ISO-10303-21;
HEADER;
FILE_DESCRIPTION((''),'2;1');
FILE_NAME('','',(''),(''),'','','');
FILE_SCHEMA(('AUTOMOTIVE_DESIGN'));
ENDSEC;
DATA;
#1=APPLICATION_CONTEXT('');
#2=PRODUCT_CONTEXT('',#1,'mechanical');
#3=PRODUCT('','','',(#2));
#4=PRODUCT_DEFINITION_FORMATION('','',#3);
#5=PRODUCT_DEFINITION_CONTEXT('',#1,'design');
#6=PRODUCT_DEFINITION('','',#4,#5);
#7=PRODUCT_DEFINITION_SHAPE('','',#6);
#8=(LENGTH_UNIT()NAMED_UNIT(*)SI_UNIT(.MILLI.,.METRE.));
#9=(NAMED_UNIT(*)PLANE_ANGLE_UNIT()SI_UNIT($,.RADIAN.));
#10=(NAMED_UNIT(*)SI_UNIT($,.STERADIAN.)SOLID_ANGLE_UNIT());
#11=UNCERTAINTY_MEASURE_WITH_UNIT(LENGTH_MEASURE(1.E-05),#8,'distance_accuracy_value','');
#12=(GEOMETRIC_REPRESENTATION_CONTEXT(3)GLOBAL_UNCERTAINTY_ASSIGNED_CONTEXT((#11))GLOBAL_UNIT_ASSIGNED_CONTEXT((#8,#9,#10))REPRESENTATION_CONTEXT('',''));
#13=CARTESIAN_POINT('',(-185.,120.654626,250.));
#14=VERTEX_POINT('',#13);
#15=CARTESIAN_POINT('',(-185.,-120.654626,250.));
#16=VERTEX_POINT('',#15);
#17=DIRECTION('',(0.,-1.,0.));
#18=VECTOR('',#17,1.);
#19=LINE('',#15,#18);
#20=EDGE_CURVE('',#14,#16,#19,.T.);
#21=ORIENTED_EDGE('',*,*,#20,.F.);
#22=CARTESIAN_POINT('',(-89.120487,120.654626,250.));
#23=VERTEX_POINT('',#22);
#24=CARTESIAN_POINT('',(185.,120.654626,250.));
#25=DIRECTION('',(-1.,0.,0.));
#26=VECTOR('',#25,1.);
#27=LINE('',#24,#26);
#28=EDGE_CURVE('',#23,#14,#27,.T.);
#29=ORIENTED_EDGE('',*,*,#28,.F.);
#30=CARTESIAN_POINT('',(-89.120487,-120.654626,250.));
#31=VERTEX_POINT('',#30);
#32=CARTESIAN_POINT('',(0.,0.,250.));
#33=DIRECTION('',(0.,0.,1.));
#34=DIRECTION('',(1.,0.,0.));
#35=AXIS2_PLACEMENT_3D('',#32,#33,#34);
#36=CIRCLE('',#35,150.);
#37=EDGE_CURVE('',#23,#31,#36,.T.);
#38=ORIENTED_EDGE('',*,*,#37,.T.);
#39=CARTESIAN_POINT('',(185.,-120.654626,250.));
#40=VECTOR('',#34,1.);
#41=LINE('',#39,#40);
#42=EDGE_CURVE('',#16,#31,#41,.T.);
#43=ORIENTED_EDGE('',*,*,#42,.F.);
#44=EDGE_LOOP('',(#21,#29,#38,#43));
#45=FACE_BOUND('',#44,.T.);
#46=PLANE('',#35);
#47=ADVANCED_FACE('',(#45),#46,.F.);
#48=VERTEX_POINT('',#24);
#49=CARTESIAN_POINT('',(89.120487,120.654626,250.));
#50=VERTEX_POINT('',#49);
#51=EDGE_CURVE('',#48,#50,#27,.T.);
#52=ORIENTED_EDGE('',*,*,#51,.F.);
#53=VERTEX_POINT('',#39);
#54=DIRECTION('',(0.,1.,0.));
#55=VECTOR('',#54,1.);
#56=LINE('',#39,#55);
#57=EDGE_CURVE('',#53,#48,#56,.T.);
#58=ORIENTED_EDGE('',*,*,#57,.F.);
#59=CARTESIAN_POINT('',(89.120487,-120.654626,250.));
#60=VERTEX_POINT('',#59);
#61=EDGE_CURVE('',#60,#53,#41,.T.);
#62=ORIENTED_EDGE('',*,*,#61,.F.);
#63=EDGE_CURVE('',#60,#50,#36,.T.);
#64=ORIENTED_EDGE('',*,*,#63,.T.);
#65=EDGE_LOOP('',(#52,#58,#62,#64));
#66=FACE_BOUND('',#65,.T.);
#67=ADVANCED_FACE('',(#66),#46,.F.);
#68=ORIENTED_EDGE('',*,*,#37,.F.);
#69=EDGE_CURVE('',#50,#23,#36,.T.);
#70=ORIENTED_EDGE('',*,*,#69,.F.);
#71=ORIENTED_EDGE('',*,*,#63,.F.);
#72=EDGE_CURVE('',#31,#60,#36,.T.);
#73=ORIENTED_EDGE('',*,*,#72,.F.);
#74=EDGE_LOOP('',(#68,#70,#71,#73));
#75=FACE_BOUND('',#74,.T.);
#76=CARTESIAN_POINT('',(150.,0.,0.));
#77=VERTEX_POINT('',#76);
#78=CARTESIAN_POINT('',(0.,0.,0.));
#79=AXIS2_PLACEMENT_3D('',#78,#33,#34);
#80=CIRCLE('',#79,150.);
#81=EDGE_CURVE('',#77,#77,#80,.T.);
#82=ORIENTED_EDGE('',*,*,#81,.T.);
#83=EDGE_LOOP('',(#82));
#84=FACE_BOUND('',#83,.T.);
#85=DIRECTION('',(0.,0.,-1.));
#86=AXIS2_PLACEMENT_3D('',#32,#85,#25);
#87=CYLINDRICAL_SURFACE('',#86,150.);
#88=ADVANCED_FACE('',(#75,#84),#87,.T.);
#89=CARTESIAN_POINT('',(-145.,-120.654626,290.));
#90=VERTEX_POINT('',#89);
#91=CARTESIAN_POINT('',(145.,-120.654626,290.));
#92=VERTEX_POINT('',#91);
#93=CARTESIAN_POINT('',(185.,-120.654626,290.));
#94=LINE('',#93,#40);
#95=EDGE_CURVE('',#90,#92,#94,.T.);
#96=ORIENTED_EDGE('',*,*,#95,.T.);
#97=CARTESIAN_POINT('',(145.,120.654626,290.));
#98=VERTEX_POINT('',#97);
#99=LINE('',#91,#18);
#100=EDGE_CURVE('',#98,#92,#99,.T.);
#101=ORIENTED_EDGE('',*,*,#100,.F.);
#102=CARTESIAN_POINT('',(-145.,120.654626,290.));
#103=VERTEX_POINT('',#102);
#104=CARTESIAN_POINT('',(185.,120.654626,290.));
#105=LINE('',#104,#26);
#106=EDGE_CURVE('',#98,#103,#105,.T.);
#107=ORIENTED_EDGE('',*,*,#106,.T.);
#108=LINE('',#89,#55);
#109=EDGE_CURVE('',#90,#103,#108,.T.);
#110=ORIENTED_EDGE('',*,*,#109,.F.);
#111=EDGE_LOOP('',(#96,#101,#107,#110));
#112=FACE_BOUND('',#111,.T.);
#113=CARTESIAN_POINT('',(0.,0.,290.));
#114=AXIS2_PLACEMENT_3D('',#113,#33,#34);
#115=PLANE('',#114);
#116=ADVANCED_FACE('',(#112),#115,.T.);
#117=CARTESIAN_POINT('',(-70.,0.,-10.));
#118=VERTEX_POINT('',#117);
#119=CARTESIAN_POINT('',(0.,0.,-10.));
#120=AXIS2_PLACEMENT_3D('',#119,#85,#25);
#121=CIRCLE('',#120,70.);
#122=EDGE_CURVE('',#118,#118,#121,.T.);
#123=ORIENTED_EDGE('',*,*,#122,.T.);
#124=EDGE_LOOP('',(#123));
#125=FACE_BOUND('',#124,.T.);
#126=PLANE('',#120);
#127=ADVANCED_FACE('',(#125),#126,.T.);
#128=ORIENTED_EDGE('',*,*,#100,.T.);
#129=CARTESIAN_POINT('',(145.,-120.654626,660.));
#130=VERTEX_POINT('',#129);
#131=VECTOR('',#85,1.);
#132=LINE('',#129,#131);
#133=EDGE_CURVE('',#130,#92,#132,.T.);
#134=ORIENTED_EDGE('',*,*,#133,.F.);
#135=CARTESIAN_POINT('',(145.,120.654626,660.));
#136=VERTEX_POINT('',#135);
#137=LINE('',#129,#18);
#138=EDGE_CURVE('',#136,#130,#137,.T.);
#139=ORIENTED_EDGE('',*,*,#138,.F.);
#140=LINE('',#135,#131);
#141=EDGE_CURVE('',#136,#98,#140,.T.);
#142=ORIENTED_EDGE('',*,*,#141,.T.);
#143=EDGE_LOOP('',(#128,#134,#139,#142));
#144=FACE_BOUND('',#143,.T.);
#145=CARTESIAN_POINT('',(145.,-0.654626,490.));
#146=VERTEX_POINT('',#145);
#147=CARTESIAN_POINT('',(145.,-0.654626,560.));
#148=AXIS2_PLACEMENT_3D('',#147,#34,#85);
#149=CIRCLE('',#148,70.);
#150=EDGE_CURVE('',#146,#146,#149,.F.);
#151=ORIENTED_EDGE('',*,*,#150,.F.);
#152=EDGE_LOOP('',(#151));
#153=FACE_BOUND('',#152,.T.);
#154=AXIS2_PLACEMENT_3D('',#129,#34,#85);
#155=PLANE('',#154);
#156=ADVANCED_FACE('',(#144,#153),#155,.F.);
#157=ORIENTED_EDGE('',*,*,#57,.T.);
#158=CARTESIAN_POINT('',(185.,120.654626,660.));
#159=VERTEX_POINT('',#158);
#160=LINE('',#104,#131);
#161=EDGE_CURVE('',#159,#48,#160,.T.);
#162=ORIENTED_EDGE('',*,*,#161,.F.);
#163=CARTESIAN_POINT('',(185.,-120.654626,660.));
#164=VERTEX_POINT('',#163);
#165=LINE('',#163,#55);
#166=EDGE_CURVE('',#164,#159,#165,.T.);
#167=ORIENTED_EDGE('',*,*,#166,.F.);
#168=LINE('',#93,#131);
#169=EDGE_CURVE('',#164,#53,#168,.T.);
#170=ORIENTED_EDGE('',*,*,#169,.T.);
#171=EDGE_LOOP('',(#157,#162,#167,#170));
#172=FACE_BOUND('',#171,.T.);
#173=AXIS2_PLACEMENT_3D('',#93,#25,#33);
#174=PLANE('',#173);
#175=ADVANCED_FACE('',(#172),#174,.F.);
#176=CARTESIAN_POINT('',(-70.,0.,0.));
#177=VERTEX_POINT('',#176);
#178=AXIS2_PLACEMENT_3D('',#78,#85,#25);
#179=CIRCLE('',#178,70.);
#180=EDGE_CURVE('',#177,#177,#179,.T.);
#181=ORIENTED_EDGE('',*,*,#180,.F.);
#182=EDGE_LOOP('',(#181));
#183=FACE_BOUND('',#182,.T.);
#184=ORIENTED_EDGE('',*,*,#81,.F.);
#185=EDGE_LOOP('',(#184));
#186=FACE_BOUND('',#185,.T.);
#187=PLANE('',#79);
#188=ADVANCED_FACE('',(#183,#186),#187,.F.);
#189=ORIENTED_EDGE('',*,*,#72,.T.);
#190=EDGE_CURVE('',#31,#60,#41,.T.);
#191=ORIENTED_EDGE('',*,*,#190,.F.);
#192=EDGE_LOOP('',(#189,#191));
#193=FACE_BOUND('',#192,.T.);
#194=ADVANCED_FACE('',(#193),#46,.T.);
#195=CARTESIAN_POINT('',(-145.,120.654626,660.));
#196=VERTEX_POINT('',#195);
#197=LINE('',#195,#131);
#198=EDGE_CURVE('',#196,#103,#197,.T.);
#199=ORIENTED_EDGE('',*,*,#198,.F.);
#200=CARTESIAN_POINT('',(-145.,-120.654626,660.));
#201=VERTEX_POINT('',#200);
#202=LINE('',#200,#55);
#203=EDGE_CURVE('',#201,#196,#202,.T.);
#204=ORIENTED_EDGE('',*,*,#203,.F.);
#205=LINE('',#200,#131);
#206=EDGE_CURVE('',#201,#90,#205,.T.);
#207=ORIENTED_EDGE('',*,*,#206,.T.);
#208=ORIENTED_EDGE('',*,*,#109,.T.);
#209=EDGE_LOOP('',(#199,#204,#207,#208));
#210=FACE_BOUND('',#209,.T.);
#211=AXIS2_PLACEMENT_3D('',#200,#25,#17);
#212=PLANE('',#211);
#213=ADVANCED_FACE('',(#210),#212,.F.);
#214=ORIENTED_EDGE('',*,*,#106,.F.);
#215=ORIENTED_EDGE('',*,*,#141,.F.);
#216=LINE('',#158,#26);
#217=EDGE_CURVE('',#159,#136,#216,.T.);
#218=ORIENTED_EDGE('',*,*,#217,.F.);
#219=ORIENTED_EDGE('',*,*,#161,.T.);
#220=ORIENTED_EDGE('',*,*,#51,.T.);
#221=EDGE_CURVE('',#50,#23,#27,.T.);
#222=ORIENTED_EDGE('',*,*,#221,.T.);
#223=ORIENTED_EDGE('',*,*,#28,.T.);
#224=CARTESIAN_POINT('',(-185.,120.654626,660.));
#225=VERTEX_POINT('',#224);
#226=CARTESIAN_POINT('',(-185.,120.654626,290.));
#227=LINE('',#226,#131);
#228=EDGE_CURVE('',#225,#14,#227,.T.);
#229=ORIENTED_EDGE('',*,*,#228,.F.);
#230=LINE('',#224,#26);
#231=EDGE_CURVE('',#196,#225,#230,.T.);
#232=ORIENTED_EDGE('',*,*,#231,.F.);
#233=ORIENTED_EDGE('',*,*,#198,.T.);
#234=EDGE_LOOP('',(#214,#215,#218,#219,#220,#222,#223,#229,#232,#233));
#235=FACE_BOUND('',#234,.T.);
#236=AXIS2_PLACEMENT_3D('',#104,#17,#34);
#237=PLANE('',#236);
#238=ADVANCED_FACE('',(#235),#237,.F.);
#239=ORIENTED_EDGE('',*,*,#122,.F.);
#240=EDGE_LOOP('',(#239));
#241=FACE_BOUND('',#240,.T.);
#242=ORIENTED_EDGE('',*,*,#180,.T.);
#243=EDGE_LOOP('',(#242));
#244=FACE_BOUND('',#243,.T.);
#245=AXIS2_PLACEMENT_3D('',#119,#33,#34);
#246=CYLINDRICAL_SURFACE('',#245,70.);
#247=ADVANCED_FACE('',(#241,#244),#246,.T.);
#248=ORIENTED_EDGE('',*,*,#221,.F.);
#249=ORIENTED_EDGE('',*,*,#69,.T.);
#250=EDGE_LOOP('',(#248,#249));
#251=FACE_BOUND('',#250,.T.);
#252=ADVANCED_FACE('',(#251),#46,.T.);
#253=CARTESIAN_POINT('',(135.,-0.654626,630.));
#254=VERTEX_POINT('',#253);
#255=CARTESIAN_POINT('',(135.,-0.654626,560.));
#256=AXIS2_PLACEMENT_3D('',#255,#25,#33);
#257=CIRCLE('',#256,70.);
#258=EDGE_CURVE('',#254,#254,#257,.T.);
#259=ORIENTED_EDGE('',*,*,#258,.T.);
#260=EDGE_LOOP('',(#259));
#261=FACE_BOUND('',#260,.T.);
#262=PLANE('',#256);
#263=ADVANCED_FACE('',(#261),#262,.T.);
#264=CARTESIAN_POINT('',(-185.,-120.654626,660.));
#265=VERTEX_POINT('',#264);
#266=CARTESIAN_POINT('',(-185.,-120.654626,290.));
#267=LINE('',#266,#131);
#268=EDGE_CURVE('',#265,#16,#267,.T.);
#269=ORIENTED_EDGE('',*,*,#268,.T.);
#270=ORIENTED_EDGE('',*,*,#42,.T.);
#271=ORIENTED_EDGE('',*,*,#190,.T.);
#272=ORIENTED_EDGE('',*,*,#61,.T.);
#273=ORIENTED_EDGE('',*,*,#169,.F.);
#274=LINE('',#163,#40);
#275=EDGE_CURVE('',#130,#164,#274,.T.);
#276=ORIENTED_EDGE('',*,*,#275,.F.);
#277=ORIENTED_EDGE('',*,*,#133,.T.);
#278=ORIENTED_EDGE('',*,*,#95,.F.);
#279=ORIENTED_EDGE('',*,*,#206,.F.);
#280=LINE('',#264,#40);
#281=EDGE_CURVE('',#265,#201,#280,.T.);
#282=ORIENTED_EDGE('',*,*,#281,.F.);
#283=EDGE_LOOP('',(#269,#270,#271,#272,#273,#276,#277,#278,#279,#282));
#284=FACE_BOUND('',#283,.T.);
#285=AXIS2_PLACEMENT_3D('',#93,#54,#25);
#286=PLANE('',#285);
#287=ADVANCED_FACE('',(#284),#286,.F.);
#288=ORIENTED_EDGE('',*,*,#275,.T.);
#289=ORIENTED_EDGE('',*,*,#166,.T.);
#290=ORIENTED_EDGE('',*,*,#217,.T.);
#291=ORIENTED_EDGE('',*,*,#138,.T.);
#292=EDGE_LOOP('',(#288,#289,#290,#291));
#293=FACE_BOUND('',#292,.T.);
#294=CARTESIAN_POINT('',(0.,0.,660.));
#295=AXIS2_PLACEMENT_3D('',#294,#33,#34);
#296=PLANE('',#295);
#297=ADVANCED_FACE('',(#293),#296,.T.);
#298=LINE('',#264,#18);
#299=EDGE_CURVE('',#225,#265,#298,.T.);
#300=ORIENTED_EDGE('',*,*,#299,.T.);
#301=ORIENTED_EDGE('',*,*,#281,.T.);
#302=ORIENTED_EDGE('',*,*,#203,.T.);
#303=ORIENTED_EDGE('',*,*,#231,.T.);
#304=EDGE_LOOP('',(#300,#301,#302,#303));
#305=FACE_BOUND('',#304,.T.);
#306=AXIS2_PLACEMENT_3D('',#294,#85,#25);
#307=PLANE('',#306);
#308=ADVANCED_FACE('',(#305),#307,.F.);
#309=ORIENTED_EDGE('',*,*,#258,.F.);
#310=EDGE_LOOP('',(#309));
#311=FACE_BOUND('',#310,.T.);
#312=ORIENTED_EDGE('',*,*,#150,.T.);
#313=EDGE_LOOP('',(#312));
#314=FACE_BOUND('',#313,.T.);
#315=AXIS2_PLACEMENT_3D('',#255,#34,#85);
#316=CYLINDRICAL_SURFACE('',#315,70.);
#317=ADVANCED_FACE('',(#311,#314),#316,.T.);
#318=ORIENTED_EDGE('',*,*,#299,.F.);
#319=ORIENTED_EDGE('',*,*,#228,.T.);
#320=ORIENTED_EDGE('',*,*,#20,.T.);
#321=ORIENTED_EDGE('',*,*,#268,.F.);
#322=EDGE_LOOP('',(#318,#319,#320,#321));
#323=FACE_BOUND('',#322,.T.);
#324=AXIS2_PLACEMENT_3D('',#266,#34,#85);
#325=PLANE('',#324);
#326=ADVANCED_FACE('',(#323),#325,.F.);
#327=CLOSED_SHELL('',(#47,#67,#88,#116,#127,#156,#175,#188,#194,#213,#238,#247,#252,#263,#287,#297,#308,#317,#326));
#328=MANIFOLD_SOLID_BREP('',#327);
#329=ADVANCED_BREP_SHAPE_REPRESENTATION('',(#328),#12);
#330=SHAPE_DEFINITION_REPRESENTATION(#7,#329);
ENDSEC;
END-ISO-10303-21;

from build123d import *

# Parameters (mm, degrees)
ESQUISSE1_R        = 150
BOSS_EXTRU_1_DEPTH = 250
ESQUISSE2_R        = 70
BOSS_EXTRU_2_DEPTH = 10
ESQUISSE3_W        = 370
ESQUISSE3_H        = 241.309251742
BOSS_EXTRU_3_DEPTH = 40
ESQUISSE4_W        = 40
ESQUISSE4_H        = 241.309251742
BOSS_EXTRU_4_DEPTH = 370
ESQUISSE5_R        = 70
BOSS_EXTRU_5_DEPTH = 10


with BuildPart() as part:
    # Esquisse1 → Boss.-Extru.1 (new body)
    with BuildSketch(Plane.XY):
        Circle(ESQUISSE1_R)
    extrude(amount=BOSS_EXTRU_1_DEPTH)

    # Esquisse2 → Boss.-Extru.2 (add)
    with BuildSketch(Plane(origin=(0, 0, 0), x_dir=(-1, 0, 0), z_dir=(0, 0, -1))):
        Circle(ESQUISSE2_R)
    extrude(amount=BOSS_EXTRU_2_DEPTH)

    # Esquisse3 → Boss.-Extru.3 (add)
    with BuildSketch(Plane.XY.offset(250)):
        Rectangle(ESQUISSE3_W, ESQUISSE3_H)
    extrude(amount=BOSS_EXTRU_3_DEPTH)

    # Esquisse4 → Boss.-Extru.4 (add)
    with BuildSketch(Plane.XY.offset(290)):
        with Locations((-165, 0)):
            Rectangle(ESQUISSE4_W, ESQUISSE4_H)
        with Locations((165, 0)):
            Rectangle(ESQUISSE4_W, ESQUISSE4_H)
    extrude(amount=BOSS_EXTRU_4_DEPTH)

    # Esquisse5 → Boss.-Extru.5 (add)
    with BuildSketch(Plane.ZY.offset(-145)):
        with Locations(Location((560, -0.654625871, 0), (0, 0, 180))):
            Circle(ESQUISSE5_R)
    extrude(amount=BOSS_EXTRU_5_DEPTH)


solid = part.part
